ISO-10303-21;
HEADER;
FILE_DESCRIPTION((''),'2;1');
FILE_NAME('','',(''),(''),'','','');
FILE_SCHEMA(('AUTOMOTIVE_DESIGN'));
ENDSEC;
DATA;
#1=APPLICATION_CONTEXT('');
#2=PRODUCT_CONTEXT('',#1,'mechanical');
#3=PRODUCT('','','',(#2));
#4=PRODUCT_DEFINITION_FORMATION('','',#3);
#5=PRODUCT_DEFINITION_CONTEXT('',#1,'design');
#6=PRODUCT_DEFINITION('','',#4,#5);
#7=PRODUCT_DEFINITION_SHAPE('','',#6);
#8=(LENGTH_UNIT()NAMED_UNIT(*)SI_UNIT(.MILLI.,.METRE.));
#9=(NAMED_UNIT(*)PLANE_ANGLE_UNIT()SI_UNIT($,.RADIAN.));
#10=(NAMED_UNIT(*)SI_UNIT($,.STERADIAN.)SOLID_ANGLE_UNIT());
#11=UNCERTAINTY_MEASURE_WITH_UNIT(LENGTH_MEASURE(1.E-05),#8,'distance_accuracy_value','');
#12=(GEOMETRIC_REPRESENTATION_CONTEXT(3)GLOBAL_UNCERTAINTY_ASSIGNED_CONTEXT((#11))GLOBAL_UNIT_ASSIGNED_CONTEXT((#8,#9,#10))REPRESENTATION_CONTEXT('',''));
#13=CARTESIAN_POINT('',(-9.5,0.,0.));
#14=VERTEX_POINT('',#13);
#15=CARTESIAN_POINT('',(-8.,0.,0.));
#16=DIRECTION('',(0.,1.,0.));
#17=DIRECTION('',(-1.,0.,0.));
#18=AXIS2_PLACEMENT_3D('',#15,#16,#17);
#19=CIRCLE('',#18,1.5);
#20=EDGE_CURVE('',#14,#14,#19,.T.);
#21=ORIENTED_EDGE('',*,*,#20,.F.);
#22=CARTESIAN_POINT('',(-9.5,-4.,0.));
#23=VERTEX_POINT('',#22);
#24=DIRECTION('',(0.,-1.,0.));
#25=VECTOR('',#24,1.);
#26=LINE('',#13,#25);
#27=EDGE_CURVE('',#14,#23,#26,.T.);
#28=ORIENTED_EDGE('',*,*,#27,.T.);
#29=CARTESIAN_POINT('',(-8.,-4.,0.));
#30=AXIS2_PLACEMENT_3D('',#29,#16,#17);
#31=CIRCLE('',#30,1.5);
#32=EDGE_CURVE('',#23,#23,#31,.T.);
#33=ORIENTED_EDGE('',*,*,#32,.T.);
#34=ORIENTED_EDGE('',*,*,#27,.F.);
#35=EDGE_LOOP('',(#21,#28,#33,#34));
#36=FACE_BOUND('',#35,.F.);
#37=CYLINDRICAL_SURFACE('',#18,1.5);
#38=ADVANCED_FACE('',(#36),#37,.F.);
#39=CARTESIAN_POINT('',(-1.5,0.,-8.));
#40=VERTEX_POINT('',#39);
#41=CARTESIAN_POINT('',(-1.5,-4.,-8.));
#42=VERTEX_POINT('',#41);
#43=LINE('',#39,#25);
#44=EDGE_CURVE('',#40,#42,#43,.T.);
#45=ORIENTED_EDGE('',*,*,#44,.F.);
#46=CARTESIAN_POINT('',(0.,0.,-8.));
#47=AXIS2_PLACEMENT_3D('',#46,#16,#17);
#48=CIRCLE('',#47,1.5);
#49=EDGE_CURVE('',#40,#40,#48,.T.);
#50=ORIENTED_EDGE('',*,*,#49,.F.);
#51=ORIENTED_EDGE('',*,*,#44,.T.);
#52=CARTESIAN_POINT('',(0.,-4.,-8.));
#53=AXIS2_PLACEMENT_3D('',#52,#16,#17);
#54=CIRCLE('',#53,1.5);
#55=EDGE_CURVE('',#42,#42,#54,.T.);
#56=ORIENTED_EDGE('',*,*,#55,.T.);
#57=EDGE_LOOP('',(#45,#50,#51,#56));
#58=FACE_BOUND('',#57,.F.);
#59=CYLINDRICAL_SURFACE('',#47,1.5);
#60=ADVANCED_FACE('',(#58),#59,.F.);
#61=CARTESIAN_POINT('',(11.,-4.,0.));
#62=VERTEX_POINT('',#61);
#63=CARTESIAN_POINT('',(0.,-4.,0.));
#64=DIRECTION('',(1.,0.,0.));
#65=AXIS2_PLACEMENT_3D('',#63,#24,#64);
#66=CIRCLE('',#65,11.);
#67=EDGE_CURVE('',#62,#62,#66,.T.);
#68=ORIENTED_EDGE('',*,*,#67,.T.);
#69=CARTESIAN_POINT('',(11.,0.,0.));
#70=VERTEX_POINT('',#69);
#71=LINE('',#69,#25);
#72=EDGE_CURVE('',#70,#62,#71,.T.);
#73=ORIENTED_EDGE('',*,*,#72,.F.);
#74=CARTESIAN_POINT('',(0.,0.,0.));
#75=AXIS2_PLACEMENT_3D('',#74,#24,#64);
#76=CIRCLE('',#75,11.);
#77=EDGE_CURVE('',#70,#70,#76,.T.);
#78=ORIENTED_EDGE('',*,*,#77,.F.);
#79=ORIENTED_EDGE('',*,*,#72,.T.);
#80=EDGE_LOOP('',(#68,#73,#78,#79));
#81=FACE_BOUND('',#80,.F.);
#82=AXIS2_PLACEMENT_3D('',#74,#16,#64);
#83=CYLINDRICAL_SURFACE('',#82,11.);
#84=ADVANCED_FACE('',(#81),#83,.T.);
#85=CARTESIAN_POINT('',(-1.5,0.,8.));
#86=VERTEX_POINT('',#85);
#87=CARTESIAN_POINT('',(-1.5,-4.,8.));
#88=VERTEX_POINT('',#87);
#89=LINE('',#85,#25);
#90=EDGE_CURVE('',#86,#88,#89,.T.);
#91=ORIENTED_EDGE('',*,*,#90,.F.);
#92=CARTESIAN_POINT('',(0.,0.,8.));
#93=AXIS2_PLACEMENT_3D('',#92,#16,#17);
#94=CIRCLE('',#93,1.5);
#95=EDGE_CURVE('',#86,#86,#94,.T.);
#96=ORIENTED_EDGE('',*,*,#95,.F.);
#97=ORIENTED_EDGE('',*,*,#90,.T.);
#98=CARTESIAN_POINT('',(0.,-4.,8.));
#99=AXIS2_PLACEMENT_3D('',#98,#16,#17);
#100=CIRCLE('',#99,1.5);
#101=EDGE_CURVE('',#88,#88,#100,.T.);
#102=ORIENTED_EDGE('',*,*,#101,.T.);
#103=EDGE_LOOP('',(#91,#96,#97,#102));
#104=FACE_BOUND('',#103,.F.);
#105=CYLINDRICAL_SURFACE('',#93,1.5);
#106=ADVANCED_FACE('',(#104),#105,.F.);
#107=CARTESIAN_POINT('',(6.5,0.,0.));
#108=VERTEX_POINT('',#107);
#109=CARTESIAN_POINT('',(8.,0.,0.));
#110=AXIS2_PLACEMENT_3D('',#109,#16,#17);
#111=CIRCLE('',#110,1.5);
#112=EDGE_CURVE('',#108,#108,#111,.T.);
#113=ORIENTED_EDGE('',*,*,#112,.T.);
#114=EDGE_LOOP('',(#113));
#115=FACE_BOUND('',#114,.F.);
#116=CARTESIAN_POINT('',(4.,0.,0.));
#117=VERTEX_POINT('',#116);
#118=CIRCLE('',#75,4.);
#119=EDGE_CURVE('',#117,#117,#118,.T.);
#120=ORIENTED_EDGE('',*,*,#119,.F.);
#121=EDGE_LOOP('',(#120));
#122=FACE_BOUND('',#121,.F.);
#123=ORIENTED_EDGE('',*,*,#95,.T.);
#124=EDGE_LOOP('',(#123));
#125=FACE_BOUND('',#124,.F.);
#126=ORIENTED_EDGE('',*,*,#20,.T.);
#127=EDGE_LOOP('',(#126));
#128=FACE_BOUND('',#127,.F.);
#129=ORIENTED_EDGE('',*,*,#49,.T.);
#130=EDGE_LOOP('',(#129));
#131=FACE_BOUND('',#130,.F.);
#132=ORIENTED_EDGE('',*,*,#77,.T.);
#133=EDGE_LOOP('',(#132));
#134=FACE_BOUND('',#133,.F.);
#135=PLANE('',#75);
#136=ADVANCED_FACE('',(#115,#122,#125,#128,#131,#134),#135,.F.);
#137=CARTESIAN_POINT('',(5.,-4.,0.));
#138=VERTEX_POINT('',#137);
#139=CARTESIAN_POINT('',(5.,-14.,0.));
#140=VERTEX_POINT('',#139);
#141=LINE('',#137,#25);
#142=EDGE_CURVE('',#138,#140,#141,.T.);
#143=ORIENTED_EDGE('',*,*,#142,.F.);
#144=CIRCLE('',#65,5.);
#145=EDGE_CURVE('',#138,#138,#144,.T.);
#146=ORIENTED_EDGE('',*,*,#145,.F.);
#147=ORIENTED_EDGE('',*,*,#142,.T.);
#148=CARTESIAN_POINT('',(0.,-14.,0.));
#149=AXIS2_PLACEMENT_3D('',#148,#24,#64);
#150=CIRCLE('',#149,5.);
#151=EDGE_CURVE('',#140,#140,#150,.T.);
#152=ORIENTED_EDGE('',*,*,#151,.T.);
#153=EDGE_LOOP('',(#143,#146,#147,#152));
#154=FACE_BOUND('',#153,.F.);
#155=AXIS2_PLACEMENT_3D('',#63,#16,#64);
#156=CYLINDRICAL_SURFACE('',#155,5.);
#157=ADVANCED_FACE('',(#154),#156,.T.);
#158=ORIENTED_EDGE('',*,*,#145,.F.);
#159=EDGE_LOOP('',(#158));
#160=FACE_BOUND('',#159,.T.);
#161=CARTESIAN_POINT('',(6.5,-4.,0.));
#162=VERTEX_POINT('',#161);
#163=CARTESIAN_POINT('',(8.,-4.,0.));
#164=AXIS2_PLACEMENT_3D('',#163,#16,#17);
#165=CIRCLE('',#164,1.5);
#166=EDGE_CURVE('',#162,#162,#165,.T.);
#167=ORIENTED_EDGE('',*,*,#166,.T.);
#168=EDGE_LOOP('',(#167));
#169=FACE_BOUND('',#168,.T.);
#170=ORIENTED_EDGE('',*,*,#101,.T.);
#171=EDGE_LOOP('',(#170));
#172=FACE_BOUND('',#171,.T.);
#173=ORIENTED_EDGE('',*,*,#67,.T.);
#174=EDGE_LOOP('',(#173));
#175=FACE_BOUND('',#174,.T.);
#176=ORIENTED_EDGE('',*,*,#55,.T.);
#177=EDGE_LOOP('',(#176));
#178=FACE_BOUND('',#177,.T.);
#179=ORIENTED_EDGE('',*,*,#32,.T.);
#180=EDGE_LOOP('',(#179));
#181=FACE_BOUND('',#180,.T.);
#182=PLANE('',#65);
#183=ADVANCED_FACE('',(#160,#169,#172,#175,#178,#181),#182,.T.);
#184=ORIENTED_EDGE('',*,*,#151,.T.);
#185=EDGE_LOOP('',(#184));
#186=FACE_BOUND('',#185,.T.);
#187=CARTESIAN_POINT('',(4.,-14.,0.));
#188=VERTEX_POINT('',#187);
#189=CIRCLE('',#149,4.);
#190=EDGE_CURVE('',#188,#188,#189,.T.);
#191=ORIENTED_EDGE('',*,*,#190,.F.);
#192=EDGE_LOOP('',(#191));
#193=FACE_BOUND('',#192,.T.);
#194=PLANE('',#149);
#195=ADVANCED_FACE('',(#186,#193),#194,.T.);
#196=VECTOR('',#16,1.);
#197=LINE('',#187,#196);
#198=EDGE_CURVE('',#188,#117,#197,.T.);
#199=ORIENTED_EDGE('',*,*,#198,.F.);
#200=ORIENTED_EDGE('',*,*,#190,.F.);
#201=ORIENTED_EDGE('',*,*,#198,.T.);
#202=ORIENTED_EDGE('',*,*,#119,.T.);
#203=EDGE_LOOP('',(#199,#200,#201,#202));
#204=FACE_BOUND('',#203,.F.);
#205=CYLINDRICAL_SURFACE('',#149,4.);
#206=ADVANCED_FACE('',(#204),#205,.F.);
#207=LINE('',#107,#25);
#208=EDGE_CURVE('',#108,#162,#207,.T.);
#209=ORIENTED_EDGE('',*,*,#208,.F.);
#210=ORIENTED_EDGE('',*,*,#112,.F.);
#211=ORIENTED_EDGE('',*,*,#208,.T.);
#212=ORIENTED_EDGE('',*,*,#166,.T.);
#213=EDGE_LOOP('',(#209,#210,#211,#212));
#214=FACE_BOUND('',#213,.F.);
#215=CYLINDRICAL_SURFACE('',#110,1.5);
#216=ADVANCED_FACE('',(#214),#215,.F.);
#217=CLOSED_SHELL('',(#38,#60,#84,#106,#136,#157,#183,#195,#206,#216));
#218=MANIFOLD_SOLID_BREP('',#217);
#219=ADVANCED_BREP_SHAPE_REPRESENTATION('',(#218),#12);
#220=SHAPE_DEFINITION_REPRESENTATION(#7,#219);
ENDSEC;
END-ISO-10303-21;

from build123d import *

# Parameters (mm, degrees)
F0_R     = 11
F1_DEPTH = 4
F2_R     = 5
F3_DEPTH = 10
F4_R     = 4
F5_DEPTH = 25
F6_R     = 1.5
F7_DEPTH = 25


with BuildPart() as f1:
    # F0 (on Front) → F1 (new body)
    with BuildSketch(Plane.XZ):
        Circle(F0_R)
    extrude(amount=F1_DEPTH)

    # F2 (on face) → F3 (join)
    with BuildSketch(Plane.XZ.offset(4)):
        Circle(F2_R)
    extrude(amount=F3_DEPTH)

    # F4 (on face) → F5 (cut)
    with BuildSketch(Plane.XZ.offset(14)):
        Circle(F4_R)
    extrude(amount=-F5_DEPTH, mode=Mode.SUBTRACT)

    # F6 (on face) → F7 (cut)
    with BuildSketch(Plane(origin=(0, 0, 0), x_dir=(-1, 0, 0), z_dir=(0, 1, 0))):
        with Locations((-8, 0)):
            Circle(F6_R)
        with Locations((0, 8)):
            Circle(F6_R)
        with Locations((8, 0)):
            Circle(F6_R)
        with Locations((0, -8)):
            Circle(F6_R)
    extrude(amount=-F7_DEPTH, mode=Mode.SUBTRACT)


solid = f1.part
